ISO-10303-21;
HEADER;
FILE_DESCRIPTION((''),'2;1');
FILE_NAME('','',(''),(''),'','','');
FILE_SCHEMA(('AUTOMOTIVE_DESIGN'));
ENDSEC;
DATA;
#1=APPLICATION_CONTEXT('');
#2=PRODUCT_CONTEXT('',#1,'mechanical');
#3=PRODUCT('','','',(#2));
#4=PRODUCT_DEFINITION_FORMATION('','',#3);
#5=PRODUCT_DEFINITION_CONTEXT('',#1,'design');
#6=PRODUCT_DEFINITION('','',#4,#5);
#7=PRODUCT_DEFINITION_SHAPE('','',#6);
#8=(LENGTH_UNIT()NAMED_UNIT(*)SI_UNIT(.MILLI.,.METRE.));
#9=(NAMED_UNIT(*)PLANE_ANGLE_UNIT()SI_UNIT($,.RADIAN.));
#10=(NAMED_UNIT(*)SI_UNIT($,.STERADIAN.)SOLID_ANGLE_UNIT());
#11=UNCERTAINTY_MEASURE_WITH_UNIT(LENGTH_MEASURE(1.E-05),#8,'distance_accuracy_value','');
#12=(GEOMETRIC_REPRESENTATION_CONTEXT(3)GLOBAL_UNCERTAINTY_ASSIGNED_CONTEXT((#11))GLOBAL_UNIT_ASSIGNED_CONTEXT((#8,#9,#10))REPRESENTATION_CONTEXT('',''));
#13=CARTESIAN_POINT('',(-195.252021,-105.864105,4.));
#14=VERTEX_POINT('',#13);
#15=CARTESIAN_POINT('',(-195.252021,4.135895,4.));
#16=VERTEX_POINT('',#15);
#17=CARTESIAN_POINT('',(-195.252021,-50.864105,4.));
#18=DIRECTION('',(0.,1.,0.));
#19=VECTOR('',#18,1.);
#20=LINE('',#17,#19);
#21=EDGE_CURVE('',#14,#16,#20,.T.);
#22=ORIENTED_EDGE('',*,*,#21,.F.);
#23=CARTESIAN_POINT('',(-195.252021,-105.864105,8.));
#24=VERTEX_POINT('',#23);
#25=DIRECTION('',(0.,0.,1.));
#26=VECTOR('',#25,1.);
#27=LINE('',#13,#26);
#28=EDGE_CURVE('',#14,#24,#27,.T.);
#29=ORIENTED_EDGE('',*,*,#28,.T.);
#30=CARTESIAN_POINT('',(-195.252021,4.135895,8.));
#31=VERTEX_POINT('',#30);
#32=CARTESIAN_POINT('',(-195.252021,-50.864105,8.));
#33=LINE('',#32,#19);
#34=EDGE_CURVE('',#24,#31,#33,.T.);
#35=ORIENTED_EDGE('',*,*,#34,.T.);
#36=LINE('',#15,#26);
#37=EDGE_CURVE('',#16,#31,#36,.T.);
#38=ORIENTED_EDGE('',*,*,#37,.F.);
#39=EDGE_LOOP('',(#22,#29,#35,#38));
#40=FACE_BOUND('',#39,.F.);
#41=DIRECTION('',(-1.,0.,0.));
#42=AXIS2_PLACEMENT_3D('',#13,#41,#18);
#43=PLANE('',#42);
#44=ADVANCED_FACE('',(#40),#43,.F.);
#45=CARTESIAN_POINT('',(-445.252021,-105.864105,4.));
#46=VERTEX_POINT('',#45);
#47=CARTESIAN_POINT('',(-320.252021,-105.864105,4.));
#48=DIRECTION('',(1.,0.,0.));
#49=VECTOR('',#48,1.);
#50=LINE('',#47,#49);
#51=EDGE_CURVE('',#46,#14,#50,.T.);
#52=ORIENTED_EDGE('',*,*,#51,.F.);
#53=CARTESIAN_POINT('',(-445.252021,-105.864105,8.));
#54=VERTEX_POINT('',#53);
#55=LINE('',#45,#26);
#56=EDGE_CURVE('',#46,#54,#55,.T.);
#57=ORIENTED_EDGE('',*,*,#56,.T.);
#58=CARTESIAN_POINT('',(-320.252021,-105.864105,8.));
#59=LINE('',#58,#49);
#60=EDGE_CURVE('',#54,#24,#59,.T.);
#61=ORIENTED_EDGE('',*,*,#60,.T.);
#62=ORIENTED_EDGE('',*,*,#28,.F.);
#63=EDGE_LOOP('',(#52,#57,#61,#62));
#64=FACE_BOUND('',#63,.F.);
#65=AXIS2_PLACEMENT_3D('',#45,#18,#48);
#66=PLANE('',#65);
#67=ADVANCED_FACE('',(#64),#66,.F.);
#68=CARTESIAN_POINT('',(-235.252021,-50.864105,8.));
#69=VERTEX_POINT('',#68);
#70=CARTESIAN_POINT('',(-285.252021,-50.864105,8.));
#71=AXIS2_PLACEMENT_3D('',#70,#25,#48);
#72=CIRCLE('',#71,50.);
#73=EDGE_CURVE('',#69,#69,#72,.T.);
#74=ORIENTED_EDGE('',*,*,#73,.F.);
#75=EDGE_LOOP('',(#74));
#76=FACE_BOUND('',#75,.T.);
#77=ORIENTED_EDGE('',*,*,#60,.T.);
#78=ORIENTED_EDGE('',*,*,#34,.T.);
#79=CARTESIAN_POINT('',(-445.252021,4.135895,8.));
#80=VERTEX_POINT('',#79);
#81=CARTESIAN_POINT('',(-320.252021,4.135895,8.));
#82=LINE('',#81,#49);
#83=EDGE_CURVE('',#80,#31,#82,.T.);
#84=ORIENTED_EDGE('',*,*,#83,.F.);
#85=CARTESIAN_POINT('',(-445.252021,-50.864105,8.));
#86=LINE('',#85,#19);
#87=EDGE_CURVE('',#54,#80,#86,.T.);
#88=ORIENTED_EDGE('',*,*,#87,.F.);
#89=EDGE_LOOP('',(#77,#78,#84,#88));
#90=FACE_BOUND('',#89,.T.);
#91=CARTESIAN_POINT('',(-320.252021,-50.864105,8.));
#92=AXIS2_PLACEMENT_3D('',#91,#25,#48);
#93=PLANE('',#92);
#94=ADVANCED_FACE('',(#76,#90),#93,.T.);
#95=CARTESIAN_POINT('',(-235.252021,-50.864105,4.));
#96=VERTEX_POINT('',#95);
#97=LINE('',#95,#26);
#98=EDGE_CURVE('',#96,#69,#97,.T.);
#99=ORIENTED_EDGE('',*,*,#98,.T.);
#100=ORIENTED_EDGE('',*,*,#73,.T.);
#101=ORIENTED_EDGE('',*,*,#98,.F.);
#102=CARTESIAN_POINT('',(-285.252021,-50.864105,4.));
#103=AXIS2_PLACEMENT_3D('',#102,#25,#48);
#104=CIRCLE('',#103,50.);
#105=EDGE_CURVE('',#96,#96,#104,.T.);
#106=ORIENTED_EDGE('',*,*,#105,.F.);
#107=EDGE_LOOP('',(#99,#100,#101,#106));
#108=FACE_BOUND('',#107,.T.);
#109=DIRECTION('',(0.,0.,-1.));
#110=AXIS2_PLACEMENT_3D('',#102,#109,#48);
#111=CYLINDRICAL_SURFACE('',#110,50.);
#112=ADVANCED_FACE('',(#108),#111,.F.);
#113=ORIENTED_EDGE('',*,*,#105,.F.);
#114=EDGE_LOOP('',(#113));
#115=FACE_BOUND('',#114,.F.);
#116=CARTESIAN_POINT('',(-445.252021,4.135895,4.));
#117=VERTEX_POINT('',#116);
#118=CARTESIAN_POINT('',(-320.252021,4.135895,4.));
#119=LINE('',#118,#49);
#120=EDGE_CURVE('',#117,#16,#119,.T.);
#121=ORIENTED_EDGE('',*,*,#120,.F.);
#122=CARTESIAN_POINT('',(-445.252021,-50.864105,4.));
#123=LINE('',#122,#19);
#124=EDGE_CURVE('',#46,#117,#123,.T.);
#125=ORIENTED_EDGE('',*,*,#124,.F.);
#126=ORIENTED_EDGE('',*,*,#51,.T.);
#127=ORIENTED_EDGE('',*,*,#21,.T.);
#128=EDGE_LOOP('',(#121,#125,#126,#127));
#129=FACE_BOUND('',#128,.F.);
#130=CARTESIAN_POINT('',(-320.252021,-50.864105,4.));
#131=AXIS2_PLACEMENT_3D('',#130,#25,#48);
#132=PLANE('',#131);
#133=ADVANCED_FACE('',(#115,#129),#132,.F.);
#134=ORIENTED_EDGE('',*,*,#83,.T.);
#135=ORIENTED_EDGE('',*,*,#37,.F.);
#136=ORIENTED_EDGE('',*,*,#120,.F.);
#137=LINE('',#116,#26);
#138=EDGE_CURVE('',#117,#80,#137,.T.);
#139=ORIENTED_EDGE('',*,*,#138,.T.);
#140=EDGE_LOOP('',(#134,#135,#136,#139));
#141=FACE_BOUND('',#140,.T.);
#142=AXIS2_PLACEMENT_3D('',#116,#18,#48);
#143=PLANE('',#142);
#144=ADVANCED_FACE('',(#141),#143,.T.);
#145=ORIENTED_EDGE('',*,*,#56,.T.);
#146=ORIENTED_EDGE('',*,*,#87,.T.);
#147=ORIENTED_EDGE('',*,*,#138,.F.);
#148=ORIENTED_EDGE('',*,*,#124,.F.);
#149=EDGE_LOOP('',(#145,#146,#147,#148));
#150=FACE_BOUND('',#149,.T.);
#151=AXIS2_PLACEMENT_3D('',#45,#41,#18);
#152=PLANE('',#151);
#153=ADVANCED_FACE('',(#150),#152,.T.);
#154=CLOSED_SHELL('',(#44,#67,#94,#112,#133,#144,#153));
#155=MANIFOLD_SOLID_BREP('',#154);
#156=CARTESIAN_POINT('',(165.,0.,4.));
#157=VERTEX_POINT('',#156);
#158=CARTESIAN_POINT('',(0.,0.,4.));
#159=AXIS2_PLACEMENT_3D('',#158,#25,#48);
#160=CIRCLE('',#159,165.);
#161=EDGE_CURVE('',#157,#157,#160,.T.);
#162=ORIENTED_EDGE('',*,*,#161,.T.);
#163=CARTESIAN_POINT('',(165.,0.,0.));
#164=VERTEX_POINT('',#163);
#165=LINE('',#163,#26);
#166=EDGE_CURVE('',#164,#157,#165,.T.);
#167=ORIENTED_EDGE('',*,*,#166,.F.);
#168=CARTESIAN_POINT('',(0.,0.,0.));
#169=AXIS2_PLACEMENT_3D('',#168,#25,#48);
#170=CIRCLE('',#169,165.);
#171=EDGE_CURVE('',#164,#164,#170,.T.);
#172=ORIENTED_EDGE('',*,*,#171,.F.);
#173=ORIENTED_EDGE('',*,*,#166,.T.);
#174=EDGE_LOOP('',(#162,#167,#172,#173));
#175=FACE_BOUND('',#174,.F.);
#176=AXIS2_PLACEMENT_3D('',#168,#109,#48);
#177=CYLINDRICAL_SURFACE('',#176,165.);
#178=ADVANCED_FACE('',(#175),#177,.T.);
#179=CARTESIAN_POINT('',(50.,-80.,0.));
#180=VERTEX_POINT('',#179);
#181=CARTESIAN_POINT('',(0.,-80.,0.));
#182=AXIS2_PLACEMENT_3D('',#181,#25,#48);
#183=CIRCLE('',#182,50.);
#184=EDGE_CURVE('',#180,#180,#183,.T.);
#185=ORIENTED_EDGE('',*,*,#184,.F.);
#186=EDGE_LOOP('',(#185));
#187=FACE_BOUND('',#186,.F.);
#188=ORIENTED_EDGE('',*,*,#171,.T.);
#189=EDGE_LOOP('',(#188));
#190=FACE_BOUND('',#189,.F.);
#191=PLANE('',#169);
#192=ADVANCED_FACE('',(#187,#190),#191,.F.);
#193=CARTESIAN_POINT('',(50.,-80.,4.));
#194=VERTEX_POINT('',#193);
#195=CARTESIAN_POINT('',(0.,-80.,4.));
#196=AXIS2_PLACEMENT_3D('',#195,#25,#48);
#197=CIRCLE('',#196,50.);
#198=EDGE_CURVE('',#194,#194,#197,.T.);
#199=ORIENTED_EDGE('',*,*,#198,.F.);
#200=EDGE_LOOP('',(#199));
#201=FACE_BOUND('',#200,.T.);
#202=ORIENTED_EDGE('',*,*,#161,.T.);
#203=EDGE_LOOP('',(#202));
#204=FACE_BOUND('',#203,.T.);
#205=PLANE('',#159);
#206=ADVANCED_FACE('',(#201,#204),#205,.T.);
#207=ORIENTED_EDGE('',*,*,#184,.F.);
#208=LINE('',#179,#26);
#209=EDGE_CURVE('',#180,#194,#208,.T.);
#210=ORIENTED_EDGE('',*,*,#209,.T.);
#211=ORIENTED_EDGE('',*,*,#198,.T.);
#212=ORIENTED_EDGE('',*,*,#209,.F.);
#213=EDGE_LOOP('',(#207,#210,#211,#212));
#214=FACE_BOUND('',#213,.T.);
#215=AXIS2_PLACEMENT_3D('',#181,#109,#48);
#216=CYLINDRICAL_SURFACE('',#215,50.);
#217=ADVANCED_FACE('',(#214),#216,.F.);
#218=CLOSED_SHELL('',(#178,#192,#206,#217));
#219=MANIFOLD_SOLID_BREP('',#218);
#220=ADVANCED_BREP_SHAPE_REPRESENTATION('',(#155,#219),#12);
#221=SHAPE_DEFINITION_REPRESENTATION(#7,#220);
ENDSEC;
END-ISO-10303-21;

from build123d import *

# Parameters (mm, degrees)
F0_R     = 165
F0_R_2   = 50
F1_DEPTH = 4
F2_W     = 250
F2_H     = 110
F2_R     = 50
F3_DEPTH = 4


with BuildPart() as f1:
    # F0 (on Top) → F1 (new body)
    with BuildSketch(Plane.XY):
        Circle(F0_R)
        with Locations((0, -80)):
            Circle(F0_R_2, mode=Mode.SUBTRACT)
    extrude(amount=F1_DEPTH)


with BuildPart() as f3:
    # F2 (on face) → F3 (new body)
    with BuildSketch(Plane.XY.offset(4)):
        with Locations((-320.252021, -50.864105)):
            Rectangle(F2_W, F2_H)
        with Locations((-285.252021, -50.864105)):
            Circle(F2_R, mode=Mode.SUBTRACT)
    extrude(amount=F3_DEPTH)


solid = Compound([f1.part, f3.part])
